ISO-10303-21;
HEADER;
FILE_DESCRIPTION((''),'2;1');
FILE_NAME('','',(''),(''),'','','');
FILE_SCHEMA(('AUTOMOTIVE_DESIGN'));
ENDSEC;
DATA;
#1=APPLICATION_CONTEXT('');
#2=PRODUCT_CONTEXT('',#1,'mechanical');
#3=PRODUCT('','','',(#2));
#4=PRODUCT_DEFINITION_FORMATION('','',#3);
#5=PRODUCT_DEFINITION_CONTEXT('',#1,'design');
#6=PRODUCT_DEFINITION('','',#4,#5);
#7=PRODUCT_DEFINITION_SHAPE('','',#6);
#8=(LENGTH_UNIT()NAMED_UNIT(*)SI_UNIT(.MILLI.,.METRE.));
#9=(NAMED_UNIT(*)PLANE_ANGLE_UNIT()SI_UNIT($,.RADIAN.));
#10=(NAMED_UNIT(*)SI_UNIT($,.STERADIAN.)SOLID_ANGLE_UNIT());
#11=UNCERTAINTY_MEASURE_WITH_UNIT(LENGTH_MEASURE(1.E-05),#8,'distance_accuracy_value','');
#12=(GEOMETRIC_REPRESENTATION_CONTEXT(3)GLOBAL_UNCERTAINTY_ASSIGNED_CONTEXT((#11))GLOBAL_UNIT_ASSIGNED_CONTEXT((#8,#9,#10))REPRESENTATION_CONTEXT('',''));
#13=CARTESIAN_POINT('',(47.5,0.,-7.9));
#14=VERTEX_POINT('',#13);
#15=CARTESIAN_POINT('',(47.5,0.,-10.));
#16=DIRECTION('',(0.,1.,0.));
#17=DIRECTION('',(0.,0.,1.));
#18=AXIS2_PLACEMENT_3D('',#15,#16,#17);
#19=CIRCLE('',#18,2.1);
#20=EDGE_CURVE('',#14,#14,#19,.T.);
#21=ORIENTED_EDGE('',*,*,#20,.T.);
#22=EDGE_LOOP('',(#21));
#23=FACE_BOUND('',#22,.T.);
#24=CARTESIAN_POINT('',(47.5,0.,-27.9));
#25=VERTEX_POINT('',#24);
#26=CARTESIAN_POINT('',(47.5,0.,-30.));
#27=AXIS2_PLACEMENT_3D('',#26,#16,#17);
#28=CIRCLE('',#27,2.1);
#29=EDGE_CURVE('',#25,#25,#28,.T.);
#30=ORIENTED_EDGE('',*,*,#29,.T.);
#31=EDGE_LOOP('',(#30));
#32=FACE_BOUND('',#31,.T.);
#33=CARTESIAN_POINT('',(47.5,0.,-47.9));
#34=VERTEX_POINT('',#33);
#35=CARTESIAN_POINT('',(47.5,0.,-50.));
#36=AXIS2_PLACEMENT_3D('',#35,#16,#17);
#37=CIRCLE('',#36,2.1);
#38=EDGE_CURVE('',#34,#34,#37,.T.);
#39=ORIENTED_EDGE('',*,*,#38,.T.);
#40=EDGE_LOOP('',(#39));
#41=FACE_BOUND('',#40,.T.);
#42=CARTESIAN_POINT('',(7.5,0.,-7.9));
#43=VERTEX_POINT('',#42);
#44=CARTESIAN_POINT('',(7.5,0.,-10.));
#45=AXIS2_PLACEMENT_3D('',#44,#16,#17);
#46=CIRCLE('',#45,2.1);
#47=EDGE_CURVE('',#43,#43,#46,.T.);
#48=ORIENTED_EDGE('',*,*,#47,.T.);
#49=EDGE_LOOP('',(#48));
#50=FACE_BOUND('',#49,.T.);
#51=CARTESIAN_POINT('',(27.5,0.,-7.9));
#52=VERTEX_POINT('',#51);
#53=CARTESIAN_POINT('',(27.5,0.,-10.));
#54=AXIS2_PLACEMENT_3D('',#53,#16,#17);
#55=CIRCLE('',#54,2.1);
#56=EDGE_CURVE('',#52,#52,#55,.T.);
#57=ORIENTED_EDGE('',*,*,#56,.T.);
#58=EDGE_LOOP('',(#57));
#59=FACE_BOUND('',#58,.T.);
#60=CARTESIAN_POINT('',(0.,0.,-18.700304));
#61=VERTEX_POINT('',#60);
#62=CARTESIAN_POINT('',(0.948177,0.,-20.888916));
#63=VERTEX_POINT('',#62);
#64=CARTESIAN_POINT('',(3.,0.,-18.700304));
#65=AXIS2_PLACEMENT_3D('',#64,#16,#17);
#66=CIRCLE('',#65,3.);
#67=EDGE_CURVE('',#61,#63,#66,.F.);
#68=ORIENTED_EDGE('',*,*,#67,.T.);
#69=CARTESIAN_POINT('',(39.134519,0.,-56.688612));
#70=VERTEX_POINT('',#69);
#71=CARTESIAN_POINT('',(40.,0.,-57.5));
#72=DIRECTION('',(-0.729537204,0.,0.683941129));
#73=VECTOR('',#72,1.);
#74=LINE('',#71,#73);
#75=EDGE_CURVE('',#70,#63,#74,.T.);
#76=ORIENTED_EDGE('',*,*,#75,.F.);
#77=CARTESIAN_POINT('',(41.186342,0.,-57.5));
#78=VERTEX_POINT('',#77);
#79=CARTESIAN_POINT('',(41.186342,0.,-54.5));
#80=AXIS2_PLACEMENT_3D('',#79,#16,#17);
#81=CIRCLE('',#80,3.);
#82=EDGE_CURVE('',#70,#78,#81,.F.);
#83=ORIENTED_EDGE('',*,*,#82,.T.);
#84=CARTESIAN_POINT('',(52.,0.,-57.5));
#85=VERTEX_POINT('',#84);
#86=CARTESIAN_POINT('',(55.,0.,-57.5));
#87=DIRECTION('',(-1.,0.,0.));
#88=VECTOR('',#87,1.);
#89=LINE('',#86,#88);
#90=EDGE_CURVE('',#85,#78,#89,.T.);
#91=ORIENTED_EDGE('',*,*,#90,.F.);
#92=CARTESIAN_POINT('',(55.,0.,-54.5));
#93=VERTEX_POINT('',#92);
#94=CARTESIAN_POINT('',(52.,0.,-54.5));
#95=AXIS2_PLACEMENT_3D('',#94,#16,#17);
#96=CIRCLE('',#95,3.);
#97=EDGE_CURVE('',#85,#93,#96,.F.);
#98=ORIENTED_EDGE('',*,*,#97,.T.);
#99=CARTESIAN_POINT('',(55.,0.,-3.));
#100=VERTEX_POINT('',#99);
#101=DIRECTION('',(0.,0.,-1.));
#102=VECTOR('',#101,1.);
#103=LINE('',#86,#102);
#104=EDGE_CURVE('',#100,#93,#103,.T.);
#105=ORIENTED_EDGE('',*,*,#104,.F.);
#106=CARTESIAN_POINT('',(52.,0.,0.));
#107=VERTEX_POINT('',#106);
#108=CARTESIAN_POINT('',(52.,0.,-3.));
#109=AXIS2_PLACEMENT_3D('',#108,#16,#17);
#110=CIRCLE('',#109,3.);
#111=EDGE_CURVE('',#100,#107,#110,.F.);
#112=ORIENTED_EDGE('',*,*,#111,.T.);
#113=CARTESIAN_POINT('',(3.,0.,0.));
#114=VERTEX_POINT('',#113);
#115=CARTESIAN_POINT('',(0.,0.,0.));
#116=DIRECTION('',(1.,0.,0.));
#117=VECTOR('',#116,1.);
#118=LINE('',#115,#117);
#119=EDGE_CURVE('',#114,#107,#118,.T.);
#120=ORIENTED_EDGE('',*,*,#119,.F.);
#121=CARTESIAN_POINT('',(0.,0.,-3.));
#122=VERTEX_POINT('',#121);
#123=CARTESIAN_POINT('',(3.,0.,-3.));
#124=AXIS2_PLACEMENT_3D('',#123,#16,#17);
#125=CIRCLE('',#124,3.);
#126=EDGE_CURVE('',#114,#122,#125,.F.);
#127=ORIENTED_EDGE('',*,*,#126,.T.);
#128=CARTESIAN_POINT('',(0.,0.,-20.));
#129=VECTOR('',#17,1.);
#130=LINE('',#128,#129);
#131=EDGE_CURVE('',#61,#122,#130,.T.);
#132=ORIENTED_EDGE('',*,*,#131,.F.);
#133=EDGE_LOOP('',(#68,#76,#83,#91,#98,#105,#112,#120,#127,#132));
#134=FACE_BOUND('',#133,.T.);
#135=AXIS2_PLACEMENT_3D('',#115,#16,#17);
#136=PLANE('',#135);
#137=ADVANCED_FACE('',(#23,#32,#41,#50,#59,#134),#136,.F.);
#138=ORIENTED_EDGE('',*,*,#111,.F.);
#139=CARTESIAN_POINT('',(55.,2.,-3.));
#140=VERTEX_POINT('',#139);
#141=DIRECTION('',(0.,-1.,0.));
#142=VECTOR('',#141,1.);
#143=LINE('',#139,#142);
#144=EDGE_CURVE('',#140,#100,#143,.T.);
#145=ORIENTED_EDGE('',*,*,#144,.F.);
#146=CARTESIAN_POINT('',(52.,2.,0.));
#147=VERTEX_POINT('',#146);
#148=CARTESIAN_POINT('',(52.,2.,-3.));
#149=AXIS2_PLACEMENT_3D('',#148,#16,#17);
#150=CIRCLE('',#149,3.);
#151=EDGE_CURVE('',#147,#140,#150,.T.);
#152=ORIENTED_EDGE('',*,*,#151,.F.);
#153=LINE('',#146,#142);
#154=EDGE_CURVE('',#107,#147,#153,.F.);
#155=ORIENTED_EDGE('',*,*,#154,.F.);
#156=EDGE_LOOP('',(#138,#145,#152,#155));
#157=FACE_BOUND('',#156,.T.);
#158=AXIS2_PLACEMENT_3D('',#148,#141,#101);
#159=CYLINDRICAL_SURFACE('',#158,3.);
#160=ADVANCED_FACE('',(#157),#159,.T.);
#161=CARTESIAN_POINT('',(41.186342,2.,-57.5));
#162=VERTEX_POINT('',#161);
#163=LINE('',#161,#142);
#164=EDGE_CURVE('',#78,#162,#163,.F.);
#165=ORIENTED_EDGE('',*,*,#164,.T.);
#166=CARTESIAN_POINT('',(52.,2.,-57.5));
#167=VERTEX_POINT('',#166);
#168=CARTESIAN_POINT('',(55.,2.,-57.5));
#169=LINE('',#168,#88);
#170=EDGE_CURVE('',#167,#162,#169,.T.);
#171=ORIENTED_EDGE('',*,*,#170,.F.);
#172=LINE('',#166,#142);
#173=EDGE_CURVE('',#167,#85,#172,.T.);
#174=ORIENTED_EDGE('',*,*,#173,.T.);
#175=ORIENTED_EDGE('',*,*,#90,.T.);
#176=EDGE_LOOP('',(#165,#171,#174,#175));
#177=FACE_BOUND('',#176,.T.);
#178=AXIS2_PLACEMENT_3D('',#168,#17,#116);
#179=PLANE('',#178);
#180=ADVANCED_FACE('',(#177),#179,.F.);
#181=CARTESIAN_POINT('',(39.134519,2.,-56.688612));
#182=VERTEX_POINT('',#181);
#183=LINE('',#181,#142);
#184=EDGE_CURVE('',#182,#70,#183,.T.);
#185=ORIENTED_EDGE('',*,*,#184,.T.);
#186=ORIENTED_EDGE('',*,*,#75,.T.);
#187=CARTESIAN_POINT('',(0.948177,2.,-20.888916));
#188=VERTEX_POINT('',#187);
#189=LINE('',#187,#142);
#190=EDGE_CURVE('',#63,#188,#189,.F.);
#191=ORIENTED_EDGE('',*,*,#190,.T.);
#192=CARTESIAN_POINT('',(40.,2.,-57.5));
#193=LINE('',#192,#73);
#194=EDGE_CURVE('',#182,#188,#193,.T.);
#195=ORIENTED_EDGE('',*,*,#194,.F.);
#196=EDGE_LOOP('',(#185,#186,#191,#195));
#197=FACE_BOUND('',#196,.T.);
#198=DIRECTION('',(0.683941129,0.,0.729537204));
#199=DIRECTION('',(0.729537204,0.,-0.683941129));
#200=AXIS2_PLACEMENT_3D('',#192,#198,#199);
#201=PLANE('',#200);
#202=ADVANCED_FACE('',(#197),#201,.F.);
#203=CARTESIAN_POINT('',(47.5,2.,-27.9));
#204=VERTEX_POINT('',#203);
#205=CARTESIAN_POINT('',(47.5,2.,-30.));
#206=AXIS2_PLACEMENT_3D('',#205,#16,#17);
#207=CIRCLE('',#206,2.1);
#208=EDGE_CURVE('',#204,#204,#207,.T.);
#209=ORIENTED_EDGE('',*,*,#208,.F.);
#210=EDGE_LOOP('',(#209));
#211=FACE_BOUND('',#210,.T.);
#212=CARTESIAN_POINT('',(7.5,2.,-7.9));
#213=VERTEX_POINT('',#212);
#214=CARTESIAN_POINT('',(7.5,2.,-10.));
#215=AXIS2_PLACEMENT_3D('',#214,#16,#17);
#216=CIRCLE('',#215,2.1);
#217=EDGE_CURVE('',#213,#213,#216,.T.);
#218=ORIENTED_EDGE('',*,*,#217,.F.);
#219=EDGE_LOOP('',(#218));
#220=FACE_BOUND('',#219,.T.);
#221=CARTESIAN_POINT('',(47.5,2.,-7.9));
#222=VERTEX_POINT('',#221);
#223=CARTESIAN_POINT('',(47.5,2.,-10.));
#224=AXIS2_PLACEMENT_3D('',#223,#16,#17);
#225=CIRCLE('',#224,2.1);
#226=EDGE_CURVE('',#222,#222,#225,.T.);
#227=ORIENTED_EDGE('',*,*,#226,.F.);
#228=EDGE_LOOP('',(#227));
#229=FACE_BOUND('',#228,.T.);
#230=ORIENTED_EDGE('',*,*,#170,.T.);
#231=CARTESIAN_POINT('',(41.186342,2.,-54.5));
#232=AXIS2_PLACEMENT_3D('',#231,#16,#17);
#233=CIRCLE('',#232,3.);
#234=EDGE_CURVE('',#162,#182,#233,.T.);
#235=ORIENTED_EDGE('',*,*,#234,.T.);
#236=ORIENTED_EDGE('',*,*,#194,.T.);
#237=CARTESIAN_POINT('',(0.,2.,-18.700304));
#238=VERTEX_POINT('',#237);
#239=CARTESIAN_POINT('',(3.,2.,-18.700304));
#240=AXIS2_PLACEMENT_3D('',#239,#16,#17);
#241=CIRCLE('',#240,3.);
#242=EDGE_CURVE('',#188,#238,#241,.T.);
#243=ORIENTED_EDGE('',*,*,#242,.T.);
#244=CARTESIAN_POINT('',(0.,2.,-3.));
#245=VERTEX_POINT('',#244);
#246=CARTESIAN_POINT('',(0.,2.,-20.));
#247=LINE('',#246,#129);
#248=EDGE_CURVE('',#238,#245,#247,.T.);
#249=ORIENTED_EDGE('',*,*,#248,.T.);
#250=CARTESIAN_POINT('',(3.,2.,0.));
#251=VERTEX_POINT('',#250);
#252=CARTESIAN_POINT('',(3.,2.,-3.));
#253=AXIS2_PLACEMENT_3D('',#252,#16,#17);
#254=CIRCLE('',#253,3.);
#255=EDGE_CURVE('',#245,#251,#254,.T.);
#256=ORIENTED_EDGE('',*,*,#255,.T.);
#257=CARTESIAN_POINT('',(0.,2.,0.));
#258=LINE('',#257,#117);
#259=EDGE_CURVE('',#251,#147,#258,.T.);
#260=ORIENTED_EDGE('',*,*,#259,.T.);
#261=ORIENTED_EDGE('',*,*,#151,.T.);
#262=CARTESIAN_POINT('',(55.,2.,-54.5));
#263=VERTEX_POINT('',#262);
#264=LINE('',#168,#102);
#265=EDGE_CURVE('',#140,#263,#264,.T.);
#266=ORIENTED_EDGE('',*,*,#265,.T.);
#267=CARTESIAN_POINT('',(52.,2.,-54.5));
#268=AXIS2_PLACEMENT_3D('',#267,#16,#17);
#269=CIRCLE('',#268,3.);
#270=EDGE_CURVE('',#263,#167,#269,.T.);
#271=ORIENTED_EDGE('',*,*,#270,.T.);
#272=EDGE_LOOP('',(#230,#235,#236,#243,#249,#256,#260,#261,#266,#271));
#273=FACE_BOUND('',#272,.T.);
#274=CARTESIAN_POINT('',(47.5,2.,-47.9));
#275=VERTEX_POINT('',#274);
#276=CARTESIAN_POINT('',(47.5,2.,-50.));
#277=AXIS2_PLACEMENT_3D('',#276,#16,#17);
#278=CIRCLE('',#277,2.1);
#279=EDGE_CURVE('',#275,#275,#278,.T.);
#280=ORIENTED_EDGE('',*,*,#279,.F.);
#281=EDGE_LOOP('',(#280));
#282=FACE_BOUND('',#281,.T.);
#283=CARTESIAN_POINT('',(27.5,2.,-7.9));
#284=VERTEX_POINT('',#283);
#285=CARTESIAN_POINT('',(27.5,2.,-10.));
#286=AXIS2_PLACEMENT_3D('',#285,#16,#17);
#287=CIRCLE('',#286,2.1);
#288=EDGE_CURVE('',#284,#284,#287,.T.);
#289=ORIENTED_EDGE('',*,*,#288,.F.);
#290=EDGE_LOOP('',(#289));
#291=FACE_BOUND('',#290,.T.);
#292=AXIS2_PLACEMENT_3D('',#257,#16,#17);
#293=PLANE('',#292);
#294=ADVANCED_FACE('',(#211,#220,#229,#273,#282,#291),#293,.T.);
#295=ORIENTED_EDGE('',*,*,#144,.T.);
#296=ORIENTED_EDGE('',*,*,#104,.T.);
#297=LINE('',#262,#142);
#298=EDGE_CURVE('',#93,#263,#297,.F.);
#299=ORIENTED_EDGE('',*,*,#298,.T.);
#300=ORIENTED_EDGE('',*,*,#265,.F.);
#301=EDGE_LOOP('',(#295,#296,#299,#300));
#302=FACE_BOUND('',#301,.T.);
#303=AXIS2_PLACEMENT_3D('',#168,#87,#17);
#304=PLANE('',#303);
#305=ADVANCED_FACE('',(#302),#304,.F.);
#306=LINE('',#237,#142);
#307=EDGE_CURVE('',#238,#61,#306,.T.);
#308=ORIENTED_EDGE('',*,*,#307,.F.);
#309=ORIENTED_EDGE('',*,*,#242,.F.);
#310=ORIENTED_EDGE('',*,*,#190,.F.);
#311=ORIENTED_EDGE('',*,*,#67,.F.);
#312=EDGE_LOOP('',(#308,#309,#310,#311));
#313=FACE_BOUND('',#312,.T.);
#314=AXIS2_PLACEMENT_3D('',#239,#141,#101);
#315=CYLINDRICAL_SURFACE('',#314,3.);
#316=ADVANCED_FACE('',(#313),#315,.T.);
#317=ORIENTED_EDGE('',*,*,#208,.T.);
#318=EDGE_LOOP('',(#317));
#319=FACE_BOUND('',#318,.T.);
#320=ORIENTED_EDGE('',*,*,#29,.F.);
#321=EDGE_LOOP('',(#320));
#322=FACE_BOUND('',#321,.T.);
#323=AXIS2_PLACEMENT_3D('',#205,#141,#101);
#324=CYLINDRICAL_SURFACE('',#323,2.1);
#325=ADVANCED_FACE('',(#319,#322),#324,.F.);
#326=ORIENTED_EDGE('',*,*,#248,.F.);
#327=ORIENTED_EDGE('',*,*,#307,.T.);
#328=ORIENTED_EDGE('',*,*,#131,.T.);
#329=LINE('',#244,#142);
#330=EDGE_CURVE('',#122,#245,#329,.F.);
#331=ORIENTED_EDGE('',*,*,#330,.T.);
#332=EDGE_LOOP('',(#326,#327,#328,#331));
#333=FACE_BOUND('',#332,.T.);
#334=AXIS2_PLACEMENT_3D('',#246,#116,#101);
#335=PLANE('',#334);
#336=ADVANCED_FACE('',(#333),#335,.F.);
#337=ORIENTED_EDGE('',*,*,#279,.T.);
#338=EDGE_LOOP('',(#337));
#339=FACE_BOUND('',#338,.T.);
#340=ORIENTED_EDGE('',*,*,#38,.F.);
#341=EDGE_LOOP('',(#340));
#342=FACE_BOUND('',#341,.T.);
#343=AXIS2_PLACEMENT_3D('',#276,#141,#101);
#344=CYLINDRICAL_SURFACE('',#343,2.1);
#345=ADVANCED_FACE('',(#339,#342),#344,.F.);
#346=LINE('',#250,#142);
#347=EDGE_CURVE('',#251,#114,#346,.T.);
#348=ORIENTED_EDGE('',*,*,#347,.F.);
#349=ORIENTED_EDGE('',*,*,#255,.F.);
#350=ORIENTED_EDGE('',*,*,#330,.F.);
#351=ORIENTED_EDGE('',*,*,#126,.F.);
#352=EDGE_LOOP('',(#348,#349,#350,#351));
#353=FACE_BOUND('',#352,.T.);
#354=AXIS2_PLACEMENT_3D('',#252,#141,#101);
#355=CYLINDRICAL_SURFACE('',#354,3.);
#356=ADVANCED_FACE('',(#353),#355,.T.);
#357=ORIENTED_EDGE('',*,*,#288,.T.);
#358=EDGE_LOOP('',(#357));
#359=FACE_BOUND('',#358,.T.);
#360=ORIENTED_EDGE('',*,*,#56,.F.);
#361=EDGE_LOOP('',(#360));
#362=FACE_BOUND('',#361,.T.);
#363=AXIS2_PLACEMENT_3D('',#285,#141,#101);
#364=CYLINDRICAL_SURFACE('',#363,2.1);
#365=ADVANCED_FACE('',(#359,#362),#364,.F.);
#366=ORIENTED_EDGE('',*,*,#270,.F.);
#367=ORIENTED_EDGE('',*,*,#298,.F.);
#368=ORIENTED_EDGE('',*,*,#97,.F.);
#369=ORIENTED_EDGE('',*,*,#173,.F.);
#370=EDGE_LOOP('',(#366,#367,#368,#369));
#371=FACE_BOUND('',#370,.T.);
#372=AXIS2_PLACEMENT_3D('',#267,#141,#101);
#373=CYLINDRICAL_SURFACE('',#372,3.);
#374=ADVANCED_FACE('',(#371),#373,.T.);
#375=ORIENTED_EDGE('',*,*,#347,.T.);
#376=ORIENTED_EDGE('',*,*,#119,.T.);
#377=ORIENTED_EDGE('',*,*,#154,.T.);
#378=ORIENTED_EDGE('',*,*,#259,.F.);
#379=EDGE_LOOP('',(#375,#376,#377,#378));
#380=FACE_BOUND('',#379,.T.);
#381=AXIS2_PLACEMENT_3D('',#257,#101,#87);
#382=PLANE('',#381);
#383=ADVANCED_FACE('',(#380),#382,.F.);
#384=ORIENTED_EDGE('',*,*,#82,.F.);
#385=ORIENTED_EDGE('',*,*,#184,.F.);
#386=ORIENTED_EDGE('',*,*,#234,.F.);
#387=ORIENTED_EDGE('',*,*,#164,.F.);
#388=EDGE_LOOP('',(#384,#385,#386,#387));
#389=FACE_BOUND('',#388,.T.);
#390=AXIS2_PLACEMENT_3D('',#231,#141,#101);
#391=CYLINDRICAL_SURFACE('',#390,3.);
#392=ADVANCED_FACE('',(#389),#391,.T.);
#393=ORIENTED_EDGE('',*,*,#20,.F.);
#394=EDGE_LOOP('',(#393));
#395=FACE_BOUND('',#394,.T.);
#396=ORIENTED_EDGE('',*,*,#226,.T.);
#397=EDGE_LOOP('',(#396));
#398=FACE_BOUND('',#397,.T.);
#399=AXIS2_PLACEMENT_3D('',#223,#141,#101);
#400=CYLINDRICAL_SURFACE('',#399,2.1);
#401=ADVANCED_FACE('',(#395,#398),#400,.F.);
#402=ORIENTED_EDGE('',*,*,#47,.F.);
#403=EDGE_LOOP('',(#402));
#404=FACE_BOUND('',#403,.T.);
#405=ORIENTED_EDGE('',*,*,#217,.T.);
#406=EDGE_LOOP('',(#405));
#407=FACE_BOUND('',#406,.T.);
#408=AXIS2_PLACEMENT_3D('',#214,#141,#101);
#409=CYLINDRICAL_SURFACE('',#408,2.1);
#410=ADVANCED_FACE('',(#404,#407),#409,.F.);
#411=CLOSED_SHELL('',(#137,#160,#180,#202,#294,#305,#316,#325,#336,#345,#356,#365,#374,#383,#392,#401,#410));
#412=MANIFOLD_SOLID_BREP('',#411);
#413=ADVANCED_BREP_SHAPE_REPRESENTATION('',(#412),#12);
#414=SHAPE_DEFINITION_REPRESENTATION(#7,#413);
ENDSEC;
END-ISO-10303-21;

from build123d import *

# Parameters (mm, degrees)
SKETCH_1_R      = 2.1
EXTRUDE_1_DEPTH = 2
FILLET_1_R      = 3


with BuildPart() as part:
    # ｽｹｯﾁ1 → ﾎﾞｽ - 押し出し1 (new body)
    with BuildSketch(Plane(origin=(0, 0, 0), x_dir=(1, 0, 0), z_dir=(0, 1, 0))):
        Polygon((0, 0), (55, 0), (55, 57.5), (40, 57.5), (0, 20), align=None)
        with Locations(Location((7.5, 10, 0), (0, 0, 270))):
            Circle(SKETCH_1_R, mode=Mode.SUBTRACT)
        with Locations(Location((27.5, 10, 0), (0, 0, 270))):
            Circle(SKETCH_1_R, mode=Mode.SUBTRACT)
        with Locations(Location((47.5, 50, 0), (0, 0, 270))):
            Circle(SKETCH_1_R, mode=Mode.SUBTRACT)
        with Locations(Location((47.5, 30, 0), (0, 0, 270))):
            Circle(SKETCH_1_R, mode=Mode.SUBTRACT)
        with Locations(Location((47.5, 10, 0), (0, 0, 270))):
            Circle(SKETCH_1_R, mode=Mode.SUBTRACT)
    extrude(amount=EXTRUDE_1_DEPTH)

    # ﾌｨﾚｯﾄ1
    fillet_1_edges = [part.edges().sort_by_distance(p)[0] for p in [
        (0, 1, -20),
        (40, 1, -57.5),
        (55, 1, -57.5),
        (55, 1, 0),
        (0, 1, 0),
    ]]
    fillet(fillet_1_edges, radius=FILLET_1_R)


solid = part.part
